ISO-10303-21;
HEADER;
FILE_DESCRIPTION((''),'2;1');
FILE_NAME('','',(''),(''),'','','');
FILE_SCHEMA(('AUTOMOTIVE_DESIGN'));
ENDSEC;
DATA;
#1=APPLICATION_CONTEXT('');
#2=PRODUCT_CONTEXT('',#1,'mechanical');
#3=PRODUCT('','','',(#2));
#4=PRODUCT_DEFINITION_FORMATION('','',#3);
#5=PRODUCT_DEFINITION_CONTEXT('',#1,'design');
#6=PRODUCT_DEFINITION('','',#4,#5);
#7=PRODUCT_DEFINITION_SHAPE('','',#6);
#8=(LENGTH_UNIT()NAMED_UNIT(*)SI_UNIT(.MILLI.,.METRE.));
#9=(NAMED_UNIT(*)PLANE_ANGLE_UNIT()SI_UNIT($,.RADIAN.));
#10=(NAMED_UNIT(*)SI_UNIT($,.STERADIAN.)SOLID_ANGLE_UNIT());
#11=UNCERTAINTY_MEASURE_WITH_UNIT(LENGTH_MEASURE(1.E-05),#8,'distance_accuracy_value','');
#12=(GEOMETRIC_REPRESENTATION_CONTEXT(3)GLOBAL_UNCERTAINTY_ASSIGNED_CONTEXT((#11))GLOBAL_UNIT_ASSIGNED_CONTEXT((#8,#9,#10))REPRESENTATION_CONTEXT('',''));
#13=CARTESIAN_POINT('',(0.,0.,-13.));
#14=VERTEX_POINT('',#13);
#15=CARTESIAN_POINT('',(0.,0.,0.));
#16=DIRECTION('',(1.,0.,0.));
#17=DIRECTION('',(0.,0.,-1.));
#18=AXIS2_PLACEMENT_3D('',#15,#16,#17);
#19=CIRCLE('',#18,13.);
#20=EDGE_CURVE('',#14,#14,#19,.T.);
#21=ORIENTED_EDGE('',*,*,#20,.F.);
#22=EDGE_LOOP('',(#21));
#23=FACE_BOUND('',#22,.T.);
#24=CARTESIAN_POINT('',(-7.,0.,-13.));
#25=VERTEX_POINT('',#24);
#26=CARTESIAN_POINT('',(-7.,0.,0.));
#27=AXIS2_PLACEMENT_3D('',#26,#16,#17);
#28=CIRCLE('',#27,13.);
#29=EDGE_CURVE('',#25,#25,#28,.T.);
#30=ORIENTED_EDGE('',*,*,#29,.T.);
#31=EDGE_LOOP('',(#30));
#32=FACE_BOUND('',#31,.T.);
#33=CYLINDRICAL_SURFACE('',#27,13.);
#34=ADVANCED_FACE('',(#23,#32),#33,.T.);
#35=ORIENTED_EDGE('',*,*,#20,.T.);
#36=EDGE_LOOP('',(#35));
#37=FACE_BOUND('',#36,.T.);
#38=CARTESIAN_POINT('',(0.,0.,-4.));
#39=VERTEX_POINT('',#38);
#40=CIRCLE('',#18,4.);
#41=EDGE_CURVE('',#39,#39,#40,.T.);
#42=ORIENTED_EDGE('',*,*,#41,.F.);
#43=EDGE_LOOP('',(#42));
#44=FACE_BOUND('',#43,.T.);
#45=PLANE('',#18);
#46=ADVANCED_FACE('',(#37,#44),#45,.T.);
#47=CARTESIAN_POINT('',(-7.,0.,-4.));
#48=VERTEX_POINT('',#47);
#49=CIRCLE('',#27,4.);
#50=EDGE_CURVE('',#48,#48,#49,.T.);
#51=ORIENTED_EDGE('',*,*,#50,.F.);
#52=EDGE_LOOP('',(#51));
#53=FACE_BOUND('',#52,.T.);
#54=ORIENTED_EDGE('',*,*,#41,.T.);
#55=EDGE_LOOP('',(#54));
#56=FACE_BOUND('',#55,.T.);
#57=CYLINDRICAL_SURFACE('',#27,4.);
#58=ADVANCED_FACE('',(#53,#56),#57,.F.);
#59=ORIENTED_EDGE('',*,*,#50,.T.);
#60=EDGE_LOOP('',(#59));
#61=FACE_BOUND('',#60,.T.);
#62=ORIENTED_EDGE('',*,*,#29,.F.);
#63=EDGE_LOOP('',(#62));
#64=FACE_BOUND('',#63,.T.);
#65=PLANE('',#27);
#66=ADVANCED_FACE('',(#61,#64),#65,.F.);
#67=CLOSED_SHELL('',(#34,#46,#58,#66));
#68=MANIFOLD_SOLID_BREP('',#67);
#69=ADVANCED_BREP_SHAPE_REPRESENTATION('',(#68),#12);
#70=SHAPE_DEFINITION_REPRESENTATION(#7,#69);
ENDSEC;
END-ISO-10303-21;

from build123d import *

# Parameters (mm, degrees)
SKETCH_1_R      = 13
SKETCH_1_R_2    = 4
EXTRUDE_1_DEPTH = 7


with BuildPart() as part:
    # Эскиз1 → Вытянуть1 (new body)
    with BuildSketch(Plane(origin=(0, 0, 0), x_dir=(0, 0, -1), z_dir=(1, 0, 0))):
        Circle(SKETCH_1_R)
        Circle(SKETCH_1_R_2, mode=Mode.SUBTRACT)
    extrude(amount=-EXTRUDE_1_DEPTH)


solid = part.part
